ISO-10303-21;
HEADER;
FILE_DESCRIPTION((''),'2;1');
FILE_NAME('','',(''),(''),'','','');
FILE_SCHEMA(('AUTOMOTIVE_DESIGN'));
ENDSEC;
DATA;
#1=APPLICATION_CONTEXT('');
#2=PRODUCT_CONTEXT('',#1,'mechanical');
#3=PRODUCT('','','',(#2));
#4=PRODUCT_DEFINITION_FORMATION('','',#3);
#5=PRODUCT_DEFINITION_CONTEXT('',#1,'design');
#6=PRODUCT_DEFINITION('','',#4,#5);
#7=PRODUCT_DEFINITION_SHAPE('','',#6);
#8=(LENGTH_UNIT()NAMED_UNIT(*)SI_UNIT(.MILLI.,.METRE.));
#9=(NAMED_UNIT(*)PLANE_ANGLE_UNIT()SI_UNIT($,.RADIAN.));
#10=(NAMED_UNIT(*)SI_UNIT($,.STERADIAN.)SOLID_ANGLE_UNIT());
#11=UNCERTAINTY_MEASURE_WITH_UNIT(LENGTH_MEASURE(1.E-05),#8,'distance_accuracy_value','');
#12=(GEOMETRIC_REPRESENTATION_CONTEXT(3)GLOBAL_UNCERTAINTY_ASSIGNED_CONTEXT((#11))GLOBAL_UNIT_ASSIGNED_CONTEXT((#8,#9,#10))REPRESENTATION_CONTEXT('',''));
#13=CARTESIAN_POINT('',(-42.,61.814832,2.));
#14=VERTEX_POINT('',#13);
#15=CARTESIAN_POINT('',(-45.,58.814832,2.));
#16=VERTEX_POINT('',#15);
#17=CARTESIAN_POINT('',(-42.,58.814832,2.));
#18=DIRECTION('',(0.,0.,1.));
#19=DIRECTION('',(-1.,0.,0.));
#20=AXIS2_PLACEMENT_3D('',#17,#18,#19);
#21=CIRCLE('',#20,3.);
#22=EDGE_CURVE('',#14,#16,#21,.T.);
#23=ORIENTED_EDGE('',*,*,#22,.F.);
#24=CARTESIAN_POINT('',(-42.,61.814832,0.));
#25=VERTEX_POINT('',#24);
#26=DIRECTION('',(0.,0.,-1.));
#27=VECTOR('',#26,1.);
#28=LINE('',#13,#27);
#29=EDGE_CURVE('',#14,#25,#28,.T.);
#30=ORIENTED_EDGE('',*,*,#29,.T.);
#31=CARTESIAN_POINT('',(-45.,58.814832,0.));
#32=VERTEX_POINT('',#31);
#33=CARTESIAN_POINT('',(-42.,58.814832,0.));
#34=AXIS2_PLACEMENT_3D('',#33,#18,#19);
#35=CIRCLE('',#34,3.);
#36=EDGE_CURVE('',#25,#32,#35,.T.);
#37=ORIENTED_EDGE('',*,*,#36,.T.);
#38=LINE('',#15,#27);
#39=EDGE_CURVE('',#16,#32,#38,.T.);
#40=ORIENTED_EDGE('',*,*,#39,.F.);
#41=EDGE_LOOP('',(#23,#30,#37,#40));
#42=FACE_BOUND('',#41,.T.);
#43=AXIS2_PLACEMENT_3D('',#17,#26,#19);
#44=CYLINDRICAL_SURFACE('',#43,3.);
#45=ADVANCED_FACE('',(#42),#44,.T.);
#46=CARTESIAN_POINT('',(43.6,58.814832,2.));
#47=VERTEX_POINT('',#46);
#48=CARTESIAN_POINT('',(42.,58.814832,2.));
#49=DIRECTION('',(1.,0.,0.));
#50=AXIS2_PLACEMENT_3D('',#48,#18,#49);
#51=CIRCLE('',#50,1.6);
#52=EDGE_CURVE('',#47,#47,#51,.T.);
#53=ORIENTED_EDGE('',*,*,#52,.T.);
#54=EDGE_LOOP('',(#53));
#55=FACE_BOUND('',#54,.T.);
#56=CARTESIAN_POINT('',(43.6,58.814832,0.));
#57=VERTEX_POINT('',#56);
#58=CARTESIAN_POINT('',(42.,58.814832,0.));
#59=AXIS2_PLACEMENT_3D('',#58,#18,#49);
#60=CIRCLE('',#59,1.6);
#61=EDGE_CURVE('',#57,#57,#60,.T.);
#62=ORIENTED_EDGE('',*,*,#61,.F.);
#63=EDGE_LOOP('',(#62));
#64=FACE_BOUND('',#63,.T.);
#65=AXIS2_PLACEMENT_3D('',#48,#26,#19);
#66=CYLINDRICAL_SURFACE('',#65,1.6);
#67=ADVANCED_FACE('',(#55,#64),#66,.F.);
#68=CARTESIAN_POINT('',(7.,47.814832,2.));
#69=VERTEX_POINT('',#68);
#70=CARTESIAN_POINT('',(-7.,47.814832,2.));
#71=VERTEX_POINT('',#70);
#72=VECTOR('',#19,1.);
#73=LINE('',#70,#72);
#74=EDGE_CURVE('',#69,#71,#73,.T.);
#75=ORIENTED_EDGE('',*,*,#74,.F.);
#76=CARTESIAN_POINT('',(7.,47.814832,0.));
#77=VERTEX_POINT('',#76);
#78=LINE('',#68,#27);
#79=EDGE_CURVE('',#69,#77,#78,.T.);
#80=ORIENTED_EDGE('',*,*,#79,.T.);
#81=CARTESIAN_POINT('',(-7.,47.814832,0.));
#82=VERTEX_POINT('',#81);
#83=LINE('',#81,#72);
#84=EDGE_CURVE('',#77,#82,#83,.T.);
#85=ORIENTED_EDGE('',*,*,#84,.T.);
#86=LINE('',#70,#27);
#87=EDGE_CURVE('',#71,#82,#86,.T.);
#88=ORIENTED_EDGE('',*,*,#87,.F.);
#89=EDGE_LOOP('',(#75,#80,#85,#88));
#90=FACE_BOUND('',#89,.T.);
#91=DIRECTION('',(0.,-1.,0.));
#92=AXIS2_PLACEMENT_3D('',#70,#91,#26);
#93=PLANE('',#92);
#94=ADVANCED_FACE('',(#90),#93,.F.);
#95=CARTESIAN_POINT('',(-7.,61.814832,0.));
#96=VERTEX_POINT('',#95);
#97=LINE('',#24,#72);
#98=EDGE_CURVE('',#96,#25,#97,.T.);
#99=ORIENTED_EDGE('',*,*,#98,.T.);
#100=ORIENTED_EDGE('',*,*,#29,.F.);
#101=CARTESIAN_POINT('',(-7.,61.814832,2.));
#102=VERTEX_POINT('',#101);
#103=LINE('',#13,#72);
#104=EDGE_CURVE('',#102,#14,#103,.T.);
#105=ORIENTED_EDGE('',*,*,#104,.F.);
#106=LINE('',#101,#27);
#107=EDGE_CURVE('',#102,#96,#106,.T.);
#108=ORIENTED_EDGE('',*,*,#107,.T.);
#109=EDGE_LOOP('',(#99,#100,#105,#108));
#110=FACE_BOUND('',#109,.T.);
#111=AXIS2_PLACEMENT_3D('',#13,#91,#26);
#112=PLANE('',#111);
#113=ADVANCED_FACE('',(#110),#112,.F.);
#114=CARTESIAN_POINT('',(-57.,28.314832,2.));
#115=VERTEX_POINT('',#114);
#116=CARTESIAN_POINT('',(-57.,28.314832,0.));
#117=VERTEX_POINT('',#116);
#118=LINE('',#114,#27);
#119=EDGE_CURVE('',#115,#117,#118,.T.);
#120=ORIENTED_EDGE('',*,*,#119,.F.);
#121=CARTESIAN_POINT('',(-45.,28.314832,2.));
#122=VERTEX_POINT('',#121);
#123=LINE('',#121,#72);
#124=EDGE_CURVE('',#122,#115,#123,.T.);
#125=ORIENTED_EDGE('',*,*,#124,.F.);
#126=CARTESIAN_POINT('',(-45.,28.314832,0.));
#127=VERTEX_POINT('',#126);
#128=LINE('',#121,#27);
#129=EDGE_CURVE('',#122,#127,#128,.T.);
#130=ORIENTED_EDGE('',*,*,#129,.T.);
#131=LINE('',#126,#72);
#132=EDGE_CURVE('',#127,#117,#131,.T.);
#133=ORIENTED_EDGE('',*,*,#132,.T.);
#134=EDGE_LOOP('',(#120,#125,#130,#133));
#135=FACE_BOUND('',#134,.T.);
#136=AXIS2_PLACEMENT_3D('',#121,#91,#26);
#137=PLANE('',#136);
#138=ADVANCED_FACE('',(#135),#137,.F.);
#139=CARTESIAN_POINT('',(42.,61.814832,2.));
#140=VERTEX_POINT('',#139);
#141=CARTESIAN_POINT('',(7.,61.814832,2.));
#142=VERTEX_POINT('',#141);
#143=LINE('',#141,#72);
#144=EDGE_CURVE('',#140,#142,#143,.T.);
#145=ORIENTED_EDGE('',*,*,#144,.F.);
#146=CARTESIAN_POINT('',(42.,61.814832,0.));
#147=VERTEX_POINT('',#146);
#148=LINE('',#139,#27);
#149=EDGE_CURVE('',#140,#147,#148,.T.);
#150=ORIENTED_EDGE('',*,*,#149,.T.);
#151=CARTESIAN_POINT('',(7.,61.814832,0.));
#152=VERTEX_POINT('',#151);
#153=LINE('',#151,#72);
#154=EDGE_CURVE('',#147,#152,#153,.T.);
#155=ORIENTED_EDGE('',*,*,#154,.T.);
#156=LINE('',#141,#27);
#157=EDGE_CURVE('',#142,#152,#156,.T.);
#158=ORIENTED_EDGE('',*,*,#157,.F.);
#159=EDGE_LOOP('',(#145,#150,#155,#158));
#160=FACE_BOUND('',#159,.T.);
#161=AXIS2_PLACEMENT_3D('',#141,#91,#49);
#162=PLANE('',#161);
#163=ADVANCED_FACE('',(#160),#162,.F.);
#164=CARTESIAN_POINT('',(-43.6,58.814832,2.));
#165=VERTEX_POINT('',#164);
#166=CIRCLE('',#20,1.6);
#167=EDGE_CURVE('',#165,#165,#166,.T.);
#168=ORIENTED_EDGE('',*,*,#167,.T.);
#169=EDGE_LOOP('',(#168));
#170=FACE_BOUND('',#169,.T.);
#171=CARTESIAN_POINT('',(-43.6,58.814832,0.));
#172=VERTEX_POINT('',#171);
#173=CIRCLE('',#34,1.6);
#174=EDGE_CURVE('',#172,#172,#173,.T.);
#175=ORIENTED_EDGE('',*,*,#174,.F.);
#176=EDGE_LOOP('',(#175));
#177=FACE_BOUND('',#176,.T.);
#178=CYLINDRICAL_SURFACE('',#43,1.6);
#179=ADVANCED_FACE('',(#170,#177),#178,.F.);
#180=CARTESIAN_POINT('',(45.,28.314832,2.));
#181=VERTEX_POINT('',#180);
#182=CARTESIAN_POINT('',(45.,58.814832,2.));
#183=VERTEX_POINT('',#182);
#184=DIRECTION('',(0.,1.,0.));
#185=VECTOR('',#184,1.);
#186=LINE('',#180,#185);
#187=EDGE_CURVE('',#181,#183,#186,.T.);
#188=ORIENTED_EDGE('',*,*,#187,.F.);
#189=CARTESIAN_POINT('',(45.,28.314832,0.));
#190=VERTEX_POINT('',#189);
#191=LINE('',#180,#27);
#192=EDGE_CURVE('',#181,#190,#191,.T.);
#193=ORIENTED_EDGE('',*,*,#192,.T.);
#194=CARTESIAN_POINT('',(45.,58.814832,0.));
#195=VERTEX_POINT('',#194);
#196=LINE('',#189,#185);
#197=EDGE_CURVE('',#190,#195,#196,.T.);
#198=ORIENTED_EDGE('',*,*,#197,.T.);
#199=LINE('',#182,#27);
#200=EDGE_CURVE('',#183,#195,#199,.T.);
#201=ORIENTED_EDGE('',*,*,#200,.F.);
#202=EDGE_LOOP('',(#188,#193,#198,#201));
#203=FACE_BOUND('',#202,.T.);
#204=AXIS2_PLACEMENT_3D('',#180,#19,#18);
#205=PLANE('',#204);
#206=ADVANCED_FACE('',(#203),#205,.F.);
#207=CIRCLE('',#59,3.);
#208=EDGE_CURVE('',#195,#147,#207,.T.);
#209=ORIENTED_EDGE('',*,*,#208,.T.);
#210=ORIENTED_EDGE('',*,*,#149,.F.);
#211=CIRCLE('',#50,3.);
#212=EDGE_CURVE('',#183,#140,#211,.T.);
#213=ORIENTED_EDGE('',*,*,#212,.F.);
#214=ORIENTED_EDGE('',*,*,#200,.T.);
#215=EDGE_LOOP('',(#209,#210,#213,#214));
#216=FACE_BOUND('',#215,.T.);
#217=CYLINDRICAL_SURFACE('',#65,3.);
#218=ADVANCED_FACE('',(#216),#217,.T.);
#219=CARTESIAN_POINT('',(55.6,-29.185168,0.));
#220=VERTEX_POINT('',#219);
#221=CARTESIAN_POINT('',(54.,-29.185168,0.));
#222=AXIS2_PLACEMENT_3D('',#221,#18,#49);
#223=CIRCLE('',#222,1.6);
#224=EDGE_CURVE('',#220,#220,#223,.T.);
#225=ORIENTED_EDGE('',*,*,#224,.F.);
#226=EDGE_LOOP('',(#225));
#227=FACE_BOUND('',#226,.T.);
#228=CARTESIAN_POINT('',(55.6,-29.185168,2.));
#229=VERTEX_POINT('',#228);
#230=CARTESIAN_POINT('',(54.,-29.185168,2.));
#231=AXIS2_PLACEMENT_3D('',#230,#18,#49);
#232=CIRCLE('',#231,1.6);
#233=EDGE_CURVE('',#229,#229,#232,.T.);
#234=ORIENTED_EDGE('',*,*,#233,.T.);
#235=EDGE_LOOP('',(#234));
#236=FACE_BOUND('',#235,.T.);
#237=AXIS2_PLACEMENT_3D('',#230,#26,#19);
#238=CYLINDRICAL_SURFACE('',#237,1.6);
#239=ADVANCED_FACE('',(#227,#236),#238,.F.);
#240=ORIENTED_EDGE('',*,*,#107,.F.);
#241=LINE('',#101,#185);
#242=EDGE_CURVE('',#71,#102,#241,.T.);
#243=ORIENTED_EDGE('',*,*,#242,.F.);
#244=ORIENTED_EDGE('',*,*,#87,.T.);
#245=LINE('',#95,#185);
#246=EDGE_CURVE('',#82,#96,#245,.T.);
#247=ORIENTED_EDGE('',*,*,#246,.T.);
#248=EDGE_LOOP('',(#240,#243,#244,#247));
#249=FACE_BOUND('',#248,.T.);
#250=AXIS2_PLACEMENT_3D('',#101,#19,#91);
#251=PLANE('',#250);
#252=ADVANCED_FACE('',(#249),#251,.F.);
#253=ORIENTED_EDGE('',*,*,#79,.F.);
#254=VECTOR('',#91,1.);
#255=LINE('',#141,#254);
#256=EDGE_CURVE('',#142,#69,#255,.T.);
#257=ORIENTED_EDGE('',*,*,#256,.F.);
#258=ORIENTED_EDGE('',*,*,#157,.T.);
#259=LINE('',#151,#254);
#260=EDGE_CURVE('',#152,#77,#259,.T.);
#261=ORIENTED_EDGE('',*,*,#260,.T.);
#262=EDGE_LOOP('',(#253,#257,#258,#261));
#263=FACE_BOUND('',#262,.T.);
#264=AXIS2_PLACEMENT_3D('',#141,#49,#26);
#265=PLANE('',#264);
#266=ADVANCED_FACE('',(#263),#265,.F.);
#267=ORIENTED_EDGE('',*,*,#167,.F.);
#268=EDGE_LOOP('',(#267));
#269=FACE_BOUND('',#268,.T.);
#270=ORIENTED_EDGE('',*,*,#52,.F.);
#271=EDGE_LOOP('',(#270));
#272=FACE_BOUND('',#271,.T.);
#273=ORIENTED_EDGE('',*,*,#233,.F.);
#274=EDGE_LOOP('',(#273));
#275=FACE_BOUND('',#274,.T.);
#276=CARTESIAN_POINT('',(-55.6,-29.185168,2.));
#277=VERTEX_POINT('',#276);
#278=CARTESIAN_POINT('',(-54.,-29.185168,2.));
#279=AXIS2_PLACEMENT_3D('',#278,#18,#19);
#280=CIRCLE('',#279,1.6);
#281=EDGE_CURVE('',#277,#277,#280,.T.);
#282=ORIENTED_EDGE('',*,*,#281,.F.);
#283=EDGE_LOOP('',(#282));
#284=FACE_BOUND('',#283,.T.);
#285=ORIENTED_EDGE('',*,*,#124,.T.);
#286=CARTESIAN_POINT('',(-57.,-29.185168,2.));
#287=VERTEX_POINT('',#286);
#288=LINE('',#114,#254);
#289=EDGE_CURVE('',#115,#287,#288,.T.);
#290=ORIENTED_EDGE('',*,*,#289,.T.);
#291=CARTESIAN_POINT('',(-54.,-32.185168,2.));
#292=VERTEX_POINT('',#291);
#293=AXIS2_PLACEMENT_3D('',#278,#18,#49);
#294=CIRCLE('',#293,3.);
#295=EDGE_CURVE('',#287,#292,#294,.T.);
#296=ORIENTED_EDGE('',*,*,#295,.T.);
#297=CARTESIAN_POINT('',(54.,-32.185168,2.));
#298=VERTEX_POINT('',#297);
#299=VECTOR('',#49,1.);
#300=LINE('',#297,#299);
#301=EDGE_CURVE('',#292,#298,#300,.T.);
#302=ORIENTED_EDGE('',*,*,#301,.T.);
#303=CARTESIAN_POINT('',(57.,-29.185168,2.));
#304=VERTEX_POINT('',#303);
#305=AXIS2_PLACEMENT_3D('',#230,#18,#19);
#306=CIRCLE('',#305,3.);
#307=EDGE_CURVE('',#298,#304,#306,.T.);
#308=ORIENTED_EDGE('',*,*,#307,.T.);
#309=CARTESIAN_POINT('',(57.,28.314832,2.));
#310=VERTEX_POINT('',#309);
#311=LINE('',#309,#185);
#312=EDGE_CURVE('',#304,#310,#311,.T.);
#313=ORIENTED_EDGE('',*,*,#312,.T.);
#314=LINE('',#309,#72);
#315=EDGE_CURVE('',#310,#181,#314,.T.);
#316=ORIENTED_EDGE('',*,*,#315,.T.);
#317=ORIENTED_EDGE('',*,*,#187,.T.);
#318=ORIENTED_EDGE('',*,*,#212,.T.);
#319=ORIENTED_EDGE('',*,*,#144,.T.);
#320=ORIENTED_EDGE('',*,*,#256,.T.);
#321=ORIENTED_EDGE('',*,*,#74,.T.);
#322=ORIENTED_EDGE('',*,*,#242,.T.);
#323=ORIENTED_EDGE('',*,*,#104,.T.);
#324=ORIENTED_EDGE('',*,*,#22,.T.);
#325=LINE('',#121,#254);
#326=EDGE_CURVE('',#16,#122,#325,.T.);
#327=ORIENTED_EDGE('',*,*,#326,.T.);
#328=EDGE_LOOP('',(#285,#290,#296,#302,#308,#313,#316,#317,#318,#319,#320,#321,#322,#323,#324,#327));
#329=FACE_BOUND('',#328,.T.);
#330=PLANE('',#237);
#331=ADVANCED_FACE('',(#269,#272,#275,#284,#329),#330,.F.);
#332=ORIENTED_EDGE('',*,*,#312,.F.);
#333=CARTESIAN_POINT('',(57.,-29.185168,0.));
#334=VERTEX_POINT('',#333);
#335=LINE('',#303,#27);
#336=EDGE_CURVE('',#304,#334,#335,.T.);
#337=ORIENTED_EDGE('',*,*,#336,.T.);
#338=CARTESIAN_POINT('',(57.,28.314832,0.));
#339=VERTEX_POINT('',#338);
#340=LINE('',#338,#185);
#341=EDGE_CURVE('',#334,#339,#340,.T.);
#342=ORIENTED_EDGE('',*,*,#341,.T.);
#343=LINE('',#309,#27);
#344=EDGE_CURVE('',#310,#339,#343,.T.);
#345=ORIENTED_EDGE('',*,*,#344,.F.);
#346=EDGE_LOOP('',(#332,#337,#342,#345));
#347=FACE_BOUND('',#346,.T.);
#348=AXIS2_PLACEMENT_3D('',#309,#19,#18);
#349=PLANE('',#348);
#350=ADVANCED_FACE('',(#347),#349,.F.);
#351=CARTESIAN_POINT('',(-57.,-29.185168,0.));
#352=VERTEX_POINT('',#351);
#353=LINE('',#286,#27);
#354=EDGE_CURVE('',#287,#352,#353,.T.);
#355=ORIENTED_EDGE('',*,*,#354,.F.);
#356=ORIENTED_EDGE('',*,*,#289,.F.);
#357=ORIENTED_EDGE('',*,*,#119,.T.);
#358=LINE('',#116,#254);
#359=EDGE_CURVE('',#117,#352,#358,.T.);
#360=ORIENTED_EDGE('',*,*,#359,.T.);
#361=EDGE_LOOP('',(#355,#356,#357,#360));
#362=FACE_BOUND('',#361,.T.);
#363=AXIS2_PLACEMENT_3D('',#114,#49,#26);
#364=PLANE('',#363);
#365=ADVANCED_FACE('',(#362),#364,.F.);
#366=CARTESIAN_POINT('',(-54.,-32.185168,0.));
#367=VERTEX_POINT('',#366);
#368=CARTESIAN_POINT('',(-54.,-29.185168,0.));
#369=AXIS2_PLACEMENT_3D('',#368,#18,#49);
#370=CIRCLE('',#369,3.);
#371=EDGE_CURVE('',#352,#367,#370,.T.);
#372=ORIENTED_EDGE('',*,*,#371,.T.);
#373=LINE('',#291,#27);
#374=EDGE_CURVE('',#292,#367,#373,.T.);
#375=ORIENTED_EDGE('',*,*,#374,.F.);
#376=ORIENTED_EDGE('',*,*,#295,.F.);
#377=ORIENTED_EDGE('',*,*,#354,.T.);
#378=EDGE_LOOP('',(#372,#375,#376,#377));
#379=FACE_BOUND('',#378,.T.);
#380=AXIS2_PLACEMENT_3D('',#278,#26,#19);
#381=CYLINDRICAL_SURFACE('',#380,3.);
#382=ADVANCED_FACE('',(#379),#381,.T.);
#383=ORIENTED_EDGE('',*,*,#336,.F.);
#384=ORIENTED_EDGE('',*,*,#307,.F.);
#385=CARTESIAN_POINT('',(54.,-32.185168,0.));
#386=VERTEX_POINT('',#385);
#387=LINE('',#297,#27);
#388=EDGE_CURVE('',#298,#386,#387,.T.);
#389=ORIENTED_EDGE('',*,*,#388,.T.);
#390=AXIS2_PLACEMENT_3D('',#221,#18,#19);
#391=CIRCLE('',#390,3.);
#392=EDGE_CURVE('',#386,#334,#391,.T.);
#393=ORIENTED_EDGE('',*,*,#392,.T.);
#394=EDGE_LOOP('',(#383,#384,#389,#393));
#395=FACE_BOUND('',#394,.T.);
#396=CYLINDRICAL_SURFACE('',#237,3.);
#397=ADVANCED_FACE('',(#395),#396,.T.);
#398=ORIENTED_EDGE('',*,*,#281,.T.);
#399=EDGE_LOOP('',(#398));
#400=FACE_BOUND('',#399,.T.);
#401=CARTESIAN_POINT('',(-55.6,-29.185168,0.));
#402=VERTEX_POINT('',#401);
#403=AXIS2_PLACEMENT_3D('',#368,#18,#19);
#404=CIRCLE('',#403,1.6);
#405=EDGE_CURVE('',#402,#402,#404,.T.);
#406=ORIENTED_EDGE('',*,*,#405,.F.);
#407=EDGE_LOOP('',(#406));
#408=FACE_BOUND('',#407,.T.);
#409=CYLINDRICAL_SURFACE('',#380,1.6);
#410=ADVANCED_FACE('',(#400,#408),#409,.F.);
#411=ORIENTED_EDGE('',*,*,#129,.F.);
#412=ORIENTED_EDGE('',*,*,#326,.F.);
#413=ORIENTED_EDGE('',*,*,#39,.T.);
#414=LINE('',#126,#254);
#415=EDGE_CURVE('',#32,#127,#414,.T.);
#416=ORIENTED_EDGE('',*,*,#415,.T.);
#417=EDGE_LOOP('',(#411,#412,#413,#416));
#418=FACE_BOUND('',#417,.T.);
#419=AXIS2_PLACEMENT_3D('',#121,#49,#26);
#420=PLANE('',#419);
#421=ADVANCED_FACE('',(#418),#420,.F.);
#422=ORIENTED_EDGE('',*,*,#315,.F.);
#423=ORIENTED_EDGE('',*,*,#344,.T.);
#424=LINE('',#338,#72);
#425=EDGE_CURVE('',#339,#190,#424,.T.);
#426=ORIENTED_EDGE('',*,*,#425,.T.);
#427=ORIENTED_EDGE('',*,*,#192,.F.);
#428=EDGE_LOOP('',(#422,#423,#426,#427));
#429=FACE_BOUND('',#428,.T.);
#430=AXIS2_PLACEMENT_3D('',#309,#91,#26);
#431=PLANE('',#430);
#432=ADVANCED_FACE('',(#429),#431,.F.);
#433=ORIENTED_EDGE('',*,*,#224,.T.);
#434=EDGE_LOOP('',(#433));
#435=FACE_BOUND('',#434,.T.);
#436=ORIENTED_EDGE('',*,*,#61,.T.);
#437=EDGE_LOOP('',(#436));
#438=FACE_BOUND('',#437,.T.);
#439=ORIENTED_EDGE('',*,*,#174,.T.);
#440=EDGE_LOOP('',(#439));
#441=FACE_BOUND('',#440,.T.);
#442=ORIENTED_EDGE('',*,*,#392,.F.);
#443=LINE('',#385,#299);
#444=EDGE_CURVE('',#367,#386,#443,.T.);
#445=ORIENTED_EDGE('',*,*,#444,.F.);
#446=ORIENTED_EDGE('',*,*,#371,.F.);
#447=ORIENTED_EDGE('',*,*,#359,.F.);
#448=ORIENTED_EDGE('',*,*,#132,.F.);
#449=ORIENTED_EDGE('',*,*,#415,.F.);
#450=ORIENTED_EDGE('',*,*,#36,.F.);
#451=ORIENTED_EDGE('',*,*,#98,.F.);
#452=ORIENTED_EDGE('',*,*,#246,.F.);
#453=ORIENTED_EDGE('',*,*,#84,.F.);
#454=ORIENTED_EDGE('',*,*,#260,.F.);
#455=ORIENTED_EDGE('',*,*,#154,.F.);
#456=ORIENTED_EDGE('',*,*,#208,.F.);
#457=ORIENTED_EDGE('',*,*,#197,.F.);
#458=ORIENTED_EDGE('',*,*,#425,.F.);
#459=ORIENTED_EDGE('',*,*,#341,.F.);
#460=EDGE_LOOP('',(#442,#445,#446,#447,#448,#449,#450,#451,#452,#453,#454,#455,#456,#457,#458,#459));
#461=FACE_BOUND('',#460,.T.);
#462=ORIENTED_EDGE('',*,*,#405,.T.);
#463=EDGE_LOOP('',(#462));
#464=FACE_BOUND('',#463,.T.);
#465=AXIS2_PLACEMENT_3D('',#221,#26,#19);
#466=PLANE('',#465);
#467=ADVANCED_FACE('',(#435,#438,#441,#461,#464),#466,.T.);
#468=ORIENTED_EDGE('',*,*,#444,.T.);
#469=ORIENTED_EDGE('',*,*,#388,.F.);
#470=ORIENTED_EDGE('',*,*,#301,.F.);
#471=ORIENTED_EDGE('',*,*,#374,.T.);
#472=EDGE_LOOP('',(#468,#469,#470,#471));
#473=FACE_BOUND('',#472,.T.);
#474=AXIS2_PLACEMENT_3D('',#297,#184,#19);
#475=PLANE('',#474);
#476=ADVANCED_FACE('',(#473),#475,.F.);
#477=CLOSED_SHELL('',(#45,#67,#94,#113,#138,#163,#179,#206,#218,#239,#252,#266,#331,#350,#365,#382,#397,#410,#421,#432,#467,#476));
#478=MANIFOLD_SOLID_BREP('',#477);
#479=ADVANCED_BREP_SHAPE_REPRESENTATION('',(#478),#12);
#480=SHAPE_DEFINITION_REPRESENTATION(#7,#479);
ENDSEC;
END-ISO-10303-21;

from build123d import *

# Parameters (mm, degrees)
SKETCH1_R           = 1.6
BOSS_EXTRUDE1_DEPTH = 2


with BuildPart() as part:
    # Sketch1 → Boss-Extrude1 (new body)
    with BuildSketch(Plane.XY):
        with BuildLine():
            Line((-45, 28.314832437), (-57, 28.314832437))
            Line((-57, 28.314832437), (-57, -29.185167563))
            ThreePointArc((-57, -29.185167563), (-56.121320344, -31.306487906), (-54, -32.185167563))
            Line((-54, -32.185167563), (54, -32.185167563))
            ThreePointArc((54, -32.185167563), (56.121320344, -31.306487906), (57, -29.185167563))
            Line((57, -29.185167563), (57, 28.314832437))
            Line((57, 28.314832437), (45, 28.314832437))
            Line((45, 28.314832437), (45, 58.814832437))
            ThreePointArc((45, 58.814832437), (44.121320344, 60.936152781), (42, 61.814832437))
            Line((42, 61.814832437), (7, 61.814832437))
            Line((7, 61.814832437), (7, 47.814832437))
            Line((7, 47.814832437), (-7, 47.814832437))
            Line((-7, 47.814832437), (-7, 61.814832437))
            Line((-7, 61.814832437), (-42, 61.814832437))
            ThreePointArc((-42, 61.814832437), (-44.121320344, 60.936152781), (-45, 58.814832437))
            Line((-45, 58.814832437), (-45, 28.314832437))
        make_face()
        with Locations((54, -29.185167563)):
            Circle(SKETCH1_R, mode=Mode.SUBTRACT)
        with Locations(Location((-54, -29.185167563, 0), (0, 0, 180))):
            Circle(SKETCH1_R, mode=Mode.SUBTRACT)
        with Locations((42, 58.814832437)):
            Circle(SKETCH1_R, mode=Mode.SUBTRACT)
        with Locations(Location((-42, 58.814832437, 0), (0, 0, 180))):
            Circle(SKETCH1_R, mode=Mode.SUBTRACT)
    extrude(amount=BOSS_EXTRUDE1_DEPTH)


solid = part.part
